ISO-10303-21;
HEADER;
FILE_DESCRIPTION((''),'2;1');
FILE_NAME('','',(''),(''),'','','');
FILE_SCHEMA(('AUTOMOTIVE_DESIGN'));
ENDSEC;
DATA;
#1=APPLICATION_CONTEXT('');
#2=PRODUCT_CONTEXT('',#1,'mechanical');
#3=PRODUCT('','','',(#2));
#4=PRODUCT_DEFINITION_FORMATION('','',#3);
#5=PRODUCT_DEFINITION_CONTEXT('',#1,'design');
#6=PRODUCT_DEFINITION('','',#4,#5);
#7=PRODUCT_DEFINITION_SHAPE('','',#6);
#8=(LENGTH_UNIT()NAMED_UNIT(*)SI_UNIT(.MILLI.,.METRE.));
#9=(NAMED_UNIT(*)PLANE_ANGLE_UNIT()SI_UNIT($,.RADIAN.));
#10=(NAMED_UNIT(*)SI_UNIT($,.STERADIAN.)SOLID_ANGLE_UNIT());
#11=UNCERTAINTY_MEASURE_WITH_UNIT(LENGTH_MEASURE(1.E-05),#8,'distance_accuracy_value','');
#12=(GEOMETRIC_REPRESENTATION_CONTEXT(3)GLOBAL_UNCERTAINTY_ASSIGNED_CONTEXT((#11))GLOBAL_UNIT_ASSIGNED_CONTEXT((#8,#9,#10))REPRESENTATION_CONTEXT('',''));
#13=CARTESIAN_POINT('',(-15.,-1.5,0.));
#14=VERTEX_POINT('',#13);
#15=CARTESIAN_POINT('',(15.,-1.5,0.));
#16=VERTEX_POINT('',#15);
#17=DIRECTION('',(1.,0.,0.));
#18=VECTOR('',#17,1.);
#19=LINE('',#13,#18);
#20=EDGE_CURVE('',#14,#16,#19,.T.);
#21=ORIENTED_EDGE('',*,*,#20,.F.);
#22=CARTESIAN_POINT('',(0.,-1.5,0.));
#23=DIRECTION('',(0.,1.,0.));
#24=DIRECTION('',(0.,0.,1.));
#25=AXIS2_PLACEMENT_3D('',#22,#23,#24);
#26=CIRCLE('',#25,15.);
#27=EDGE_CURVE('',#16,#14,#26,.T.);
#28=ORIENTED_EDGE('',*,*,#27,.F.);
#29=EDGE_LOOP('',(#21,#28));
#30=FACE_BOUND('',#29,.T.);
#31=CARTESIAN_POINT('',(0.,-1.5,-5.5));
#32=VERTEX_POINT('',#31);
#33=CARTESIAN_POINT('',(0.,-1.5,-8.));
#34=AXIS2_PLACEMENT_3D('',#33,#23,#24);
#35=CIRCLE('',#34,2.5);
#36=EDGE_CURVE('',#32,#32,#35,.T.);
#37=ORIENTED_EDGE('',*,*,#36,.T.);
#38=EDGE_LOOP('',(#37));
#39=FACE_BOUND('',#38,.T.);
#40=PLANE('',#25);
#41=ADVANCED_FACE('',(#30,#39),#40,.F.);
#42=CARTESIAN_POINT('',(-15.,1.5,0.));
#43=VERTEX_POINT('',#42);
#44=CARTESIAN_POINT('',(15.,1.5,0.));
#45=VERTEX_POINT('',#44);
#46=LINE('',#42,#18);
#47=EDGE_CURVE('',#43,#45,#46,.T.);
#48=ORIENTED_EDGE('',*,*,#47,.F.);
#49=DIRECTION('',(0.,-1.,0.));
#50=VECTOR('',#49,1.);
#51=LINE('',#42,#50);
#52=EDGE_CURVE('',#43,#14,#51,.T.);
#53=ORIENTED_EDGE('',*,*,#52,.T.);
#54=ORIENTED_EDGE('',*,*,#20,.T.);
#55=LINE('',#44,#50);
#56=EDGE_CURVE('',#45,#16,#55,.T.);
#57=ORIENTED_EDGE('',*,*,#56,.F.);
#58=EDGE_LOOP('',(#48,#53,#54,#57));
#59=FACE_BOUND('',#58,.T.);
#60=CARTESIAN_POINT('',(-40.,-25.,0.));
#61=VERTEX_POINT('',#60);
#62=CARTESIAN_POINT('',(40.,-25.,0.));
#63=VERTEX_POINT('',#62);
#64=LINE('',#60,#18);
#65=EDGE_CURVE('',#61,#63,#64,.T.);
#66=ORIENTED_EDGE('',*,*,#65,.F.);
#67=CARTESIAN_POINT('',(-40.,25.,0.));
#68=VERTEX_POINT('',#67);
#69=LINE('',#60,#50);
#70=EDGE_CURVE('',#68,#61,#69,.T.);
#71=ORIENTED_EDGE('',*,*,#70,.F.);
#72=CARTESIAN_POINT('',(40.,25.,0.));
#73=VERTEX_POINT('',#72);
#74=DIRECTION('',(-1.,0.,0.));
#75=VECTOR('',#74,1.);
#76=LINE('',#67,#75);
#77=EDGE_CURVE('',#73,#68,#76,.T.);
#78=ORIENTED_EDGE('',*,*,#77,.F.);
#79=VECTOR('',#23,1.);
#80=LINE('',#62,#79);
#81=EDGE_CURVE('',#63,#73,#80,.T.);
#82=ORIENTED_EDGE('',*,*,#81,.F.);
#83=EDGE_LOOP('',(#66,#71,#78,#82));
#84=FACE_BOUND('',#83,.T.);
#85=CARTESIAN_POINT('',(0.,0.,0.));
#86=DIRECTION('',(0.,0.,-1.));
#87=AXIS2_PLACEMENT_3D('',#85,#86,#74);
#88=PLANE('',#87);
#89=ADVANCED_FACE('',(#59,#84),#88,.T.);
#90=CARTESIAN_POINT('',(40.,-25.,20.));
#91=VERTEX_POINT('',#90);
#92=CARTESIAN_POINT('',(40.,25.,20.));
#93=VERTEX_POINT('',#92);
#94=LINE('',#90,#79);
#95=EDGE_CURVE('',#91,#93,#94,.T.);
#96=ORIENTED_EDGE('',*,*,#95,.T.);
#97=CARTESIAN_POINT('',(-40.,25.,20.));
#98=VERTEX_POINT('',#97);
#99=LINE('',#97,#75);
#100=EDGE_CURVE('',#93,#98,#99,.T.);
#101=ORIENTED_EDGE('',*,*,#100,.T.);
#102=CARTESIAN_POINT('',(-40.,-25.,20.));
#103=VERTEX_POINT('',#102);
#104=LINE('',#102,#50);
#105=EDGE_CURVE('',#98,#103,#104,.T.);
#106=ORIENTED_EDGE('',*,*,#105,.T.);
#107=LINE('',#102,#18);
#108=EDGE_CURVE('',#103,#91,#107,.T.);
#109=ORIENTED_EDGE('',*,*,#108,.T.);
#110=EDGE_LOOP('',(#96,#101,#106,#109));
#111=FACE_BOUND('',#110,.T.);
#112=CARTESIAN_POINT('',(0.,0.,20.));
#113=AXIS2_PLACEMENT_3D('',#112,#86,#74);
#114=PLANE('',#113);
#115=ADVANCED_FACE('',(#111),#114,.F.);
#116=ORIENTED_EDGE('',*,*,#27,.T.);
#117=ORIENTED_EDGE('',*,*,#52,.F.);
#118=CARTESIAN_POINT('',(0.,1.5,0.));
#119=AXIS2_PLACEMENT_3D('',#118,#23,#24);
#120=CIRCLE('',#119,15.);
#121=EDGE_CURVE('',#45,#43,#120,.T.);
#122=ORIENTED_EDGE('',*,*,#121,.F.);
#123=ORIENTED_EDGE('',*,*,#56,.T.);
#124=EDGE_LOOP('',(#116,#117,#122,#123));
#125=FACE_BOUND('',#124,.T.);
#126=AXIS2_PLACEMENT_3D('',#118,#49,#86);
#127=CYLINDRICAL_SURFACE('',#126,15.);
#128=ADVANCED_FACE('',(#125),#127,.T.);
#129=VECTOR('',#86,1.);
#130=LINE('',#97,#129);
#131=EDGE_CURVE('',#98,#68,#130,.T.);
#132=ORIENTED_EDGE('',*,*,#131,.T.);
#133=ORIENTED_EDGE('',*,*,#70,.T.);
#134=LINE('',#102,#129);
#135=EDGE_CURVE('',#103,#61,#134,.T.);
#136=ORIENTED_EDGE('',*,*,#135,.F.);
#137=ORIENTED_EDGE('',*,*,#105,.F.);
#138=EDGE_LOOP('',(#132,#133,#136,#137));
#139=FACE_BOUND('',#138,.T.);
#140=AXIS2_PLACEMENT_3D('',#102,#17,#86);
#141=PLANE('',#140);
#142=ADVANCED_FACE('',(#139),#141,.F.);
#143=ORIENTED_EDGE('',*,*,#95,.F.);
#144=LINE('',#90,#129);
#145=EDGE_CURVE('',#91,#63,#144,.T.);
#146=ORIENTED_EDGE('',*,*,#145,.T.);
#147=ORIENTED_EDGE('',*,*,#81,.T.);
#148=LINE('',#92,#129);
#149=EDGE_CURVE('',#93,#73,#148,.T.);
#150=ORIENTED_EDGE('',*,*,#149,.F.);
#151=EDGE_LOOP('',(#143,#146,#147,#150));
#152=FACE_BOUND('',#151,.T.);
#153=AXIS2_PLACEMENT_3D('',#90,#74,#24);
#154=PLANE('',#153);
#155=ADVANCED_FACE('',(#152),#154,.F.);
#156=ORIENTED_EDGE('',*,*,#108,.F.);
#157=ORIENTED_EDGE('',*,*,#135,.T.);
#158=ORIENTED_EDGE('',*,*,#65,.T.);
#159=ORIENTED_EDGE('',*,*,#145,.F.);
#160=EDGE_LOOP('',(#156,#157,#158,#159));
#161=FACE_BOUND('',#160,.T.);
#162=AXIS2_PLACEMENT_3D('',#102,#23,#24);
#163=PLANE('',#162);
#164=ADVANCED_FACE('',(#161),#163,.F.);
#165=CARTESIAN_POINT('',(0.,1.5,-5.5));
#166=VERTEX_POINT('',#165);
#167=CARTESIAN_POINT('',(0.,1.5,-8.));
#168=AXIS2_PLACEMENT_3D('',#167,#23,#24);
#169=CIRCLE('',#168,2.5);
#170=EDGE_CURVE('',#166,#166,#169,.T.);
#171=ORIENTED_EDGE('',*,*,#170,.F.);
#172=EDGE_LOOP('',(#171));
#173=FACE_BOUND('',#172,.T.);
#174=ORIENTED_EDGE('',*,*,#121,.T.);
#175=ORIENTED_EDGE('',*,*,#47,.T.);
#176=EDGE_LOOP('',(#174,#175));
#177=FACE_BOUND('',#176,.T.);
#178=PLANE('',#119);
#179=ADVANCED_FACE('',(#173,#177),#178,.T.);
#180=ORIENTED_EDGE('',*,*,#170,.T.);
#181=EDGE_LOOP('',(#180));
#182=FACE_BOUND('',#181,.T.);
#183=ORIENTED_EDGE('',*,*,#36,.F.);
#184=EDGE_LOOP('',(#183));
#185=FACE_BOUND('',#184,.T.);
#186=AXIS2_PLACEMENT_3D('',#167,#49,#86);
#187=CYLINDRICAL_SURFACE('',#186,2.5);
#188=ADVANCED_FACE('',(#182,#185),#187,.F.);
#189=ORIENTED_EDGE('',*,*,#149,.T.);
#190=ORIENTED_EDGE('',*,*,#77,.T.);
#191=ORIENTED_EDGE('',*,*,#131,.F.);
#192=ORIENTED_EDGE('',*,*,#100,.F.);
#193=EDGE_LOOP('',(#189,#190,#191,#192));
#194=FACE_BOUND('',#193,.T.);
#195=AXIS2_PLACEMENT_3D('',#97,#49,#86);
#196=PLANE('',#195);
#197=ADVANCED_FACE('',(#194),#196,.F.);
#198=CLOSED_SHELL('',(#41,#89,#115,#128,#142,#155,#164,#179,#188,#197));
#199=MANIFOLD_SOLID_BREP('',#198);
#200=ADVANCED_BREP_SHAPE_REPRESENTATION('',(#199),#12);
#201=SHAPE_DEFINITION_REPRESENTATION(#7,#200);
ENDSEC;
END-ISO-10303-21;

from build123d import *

# Parameters (mm, degrees)
SKETCH_1_W      = 80
SKETCH_1_H      = 50
EXTRUDE_1_DEPTH = 20
SKETCH_2_R      = 2.5
EXTRUDE_2_DEPTH = 1.5


with BuildPart() as part:
    # 草图1 → 凸台-拉伸1 (new body)
    with BuildSketch(Plane.XY):
        Rectangle(SKETCH_1_W, SKETCH_1_H)
    extrude(amount=EXTRUDE_1_DEPTH)

    # 草图2 → 凸台-拉伸2 (add, symmetric)
    with BuildSketch(Plane(origin=(0, 0, 0), x_dir=(1, 0, 0), z_dir=(0, 1, 0))):
        with BuildLine():
            Line((-15, 0), (15, 0))
            ThreePointArc((15, 0), (0, 15), (-15, 0))
        make_face()
        with Locations(Location((0, 8, 0), (0, 0, 270))):
            Circle(SKETCH_2_R, mode=Mode.SUBTRACT)
    extrude(amount=EXTRUDE_2_DEPTH, both=True)


solid = part.part
